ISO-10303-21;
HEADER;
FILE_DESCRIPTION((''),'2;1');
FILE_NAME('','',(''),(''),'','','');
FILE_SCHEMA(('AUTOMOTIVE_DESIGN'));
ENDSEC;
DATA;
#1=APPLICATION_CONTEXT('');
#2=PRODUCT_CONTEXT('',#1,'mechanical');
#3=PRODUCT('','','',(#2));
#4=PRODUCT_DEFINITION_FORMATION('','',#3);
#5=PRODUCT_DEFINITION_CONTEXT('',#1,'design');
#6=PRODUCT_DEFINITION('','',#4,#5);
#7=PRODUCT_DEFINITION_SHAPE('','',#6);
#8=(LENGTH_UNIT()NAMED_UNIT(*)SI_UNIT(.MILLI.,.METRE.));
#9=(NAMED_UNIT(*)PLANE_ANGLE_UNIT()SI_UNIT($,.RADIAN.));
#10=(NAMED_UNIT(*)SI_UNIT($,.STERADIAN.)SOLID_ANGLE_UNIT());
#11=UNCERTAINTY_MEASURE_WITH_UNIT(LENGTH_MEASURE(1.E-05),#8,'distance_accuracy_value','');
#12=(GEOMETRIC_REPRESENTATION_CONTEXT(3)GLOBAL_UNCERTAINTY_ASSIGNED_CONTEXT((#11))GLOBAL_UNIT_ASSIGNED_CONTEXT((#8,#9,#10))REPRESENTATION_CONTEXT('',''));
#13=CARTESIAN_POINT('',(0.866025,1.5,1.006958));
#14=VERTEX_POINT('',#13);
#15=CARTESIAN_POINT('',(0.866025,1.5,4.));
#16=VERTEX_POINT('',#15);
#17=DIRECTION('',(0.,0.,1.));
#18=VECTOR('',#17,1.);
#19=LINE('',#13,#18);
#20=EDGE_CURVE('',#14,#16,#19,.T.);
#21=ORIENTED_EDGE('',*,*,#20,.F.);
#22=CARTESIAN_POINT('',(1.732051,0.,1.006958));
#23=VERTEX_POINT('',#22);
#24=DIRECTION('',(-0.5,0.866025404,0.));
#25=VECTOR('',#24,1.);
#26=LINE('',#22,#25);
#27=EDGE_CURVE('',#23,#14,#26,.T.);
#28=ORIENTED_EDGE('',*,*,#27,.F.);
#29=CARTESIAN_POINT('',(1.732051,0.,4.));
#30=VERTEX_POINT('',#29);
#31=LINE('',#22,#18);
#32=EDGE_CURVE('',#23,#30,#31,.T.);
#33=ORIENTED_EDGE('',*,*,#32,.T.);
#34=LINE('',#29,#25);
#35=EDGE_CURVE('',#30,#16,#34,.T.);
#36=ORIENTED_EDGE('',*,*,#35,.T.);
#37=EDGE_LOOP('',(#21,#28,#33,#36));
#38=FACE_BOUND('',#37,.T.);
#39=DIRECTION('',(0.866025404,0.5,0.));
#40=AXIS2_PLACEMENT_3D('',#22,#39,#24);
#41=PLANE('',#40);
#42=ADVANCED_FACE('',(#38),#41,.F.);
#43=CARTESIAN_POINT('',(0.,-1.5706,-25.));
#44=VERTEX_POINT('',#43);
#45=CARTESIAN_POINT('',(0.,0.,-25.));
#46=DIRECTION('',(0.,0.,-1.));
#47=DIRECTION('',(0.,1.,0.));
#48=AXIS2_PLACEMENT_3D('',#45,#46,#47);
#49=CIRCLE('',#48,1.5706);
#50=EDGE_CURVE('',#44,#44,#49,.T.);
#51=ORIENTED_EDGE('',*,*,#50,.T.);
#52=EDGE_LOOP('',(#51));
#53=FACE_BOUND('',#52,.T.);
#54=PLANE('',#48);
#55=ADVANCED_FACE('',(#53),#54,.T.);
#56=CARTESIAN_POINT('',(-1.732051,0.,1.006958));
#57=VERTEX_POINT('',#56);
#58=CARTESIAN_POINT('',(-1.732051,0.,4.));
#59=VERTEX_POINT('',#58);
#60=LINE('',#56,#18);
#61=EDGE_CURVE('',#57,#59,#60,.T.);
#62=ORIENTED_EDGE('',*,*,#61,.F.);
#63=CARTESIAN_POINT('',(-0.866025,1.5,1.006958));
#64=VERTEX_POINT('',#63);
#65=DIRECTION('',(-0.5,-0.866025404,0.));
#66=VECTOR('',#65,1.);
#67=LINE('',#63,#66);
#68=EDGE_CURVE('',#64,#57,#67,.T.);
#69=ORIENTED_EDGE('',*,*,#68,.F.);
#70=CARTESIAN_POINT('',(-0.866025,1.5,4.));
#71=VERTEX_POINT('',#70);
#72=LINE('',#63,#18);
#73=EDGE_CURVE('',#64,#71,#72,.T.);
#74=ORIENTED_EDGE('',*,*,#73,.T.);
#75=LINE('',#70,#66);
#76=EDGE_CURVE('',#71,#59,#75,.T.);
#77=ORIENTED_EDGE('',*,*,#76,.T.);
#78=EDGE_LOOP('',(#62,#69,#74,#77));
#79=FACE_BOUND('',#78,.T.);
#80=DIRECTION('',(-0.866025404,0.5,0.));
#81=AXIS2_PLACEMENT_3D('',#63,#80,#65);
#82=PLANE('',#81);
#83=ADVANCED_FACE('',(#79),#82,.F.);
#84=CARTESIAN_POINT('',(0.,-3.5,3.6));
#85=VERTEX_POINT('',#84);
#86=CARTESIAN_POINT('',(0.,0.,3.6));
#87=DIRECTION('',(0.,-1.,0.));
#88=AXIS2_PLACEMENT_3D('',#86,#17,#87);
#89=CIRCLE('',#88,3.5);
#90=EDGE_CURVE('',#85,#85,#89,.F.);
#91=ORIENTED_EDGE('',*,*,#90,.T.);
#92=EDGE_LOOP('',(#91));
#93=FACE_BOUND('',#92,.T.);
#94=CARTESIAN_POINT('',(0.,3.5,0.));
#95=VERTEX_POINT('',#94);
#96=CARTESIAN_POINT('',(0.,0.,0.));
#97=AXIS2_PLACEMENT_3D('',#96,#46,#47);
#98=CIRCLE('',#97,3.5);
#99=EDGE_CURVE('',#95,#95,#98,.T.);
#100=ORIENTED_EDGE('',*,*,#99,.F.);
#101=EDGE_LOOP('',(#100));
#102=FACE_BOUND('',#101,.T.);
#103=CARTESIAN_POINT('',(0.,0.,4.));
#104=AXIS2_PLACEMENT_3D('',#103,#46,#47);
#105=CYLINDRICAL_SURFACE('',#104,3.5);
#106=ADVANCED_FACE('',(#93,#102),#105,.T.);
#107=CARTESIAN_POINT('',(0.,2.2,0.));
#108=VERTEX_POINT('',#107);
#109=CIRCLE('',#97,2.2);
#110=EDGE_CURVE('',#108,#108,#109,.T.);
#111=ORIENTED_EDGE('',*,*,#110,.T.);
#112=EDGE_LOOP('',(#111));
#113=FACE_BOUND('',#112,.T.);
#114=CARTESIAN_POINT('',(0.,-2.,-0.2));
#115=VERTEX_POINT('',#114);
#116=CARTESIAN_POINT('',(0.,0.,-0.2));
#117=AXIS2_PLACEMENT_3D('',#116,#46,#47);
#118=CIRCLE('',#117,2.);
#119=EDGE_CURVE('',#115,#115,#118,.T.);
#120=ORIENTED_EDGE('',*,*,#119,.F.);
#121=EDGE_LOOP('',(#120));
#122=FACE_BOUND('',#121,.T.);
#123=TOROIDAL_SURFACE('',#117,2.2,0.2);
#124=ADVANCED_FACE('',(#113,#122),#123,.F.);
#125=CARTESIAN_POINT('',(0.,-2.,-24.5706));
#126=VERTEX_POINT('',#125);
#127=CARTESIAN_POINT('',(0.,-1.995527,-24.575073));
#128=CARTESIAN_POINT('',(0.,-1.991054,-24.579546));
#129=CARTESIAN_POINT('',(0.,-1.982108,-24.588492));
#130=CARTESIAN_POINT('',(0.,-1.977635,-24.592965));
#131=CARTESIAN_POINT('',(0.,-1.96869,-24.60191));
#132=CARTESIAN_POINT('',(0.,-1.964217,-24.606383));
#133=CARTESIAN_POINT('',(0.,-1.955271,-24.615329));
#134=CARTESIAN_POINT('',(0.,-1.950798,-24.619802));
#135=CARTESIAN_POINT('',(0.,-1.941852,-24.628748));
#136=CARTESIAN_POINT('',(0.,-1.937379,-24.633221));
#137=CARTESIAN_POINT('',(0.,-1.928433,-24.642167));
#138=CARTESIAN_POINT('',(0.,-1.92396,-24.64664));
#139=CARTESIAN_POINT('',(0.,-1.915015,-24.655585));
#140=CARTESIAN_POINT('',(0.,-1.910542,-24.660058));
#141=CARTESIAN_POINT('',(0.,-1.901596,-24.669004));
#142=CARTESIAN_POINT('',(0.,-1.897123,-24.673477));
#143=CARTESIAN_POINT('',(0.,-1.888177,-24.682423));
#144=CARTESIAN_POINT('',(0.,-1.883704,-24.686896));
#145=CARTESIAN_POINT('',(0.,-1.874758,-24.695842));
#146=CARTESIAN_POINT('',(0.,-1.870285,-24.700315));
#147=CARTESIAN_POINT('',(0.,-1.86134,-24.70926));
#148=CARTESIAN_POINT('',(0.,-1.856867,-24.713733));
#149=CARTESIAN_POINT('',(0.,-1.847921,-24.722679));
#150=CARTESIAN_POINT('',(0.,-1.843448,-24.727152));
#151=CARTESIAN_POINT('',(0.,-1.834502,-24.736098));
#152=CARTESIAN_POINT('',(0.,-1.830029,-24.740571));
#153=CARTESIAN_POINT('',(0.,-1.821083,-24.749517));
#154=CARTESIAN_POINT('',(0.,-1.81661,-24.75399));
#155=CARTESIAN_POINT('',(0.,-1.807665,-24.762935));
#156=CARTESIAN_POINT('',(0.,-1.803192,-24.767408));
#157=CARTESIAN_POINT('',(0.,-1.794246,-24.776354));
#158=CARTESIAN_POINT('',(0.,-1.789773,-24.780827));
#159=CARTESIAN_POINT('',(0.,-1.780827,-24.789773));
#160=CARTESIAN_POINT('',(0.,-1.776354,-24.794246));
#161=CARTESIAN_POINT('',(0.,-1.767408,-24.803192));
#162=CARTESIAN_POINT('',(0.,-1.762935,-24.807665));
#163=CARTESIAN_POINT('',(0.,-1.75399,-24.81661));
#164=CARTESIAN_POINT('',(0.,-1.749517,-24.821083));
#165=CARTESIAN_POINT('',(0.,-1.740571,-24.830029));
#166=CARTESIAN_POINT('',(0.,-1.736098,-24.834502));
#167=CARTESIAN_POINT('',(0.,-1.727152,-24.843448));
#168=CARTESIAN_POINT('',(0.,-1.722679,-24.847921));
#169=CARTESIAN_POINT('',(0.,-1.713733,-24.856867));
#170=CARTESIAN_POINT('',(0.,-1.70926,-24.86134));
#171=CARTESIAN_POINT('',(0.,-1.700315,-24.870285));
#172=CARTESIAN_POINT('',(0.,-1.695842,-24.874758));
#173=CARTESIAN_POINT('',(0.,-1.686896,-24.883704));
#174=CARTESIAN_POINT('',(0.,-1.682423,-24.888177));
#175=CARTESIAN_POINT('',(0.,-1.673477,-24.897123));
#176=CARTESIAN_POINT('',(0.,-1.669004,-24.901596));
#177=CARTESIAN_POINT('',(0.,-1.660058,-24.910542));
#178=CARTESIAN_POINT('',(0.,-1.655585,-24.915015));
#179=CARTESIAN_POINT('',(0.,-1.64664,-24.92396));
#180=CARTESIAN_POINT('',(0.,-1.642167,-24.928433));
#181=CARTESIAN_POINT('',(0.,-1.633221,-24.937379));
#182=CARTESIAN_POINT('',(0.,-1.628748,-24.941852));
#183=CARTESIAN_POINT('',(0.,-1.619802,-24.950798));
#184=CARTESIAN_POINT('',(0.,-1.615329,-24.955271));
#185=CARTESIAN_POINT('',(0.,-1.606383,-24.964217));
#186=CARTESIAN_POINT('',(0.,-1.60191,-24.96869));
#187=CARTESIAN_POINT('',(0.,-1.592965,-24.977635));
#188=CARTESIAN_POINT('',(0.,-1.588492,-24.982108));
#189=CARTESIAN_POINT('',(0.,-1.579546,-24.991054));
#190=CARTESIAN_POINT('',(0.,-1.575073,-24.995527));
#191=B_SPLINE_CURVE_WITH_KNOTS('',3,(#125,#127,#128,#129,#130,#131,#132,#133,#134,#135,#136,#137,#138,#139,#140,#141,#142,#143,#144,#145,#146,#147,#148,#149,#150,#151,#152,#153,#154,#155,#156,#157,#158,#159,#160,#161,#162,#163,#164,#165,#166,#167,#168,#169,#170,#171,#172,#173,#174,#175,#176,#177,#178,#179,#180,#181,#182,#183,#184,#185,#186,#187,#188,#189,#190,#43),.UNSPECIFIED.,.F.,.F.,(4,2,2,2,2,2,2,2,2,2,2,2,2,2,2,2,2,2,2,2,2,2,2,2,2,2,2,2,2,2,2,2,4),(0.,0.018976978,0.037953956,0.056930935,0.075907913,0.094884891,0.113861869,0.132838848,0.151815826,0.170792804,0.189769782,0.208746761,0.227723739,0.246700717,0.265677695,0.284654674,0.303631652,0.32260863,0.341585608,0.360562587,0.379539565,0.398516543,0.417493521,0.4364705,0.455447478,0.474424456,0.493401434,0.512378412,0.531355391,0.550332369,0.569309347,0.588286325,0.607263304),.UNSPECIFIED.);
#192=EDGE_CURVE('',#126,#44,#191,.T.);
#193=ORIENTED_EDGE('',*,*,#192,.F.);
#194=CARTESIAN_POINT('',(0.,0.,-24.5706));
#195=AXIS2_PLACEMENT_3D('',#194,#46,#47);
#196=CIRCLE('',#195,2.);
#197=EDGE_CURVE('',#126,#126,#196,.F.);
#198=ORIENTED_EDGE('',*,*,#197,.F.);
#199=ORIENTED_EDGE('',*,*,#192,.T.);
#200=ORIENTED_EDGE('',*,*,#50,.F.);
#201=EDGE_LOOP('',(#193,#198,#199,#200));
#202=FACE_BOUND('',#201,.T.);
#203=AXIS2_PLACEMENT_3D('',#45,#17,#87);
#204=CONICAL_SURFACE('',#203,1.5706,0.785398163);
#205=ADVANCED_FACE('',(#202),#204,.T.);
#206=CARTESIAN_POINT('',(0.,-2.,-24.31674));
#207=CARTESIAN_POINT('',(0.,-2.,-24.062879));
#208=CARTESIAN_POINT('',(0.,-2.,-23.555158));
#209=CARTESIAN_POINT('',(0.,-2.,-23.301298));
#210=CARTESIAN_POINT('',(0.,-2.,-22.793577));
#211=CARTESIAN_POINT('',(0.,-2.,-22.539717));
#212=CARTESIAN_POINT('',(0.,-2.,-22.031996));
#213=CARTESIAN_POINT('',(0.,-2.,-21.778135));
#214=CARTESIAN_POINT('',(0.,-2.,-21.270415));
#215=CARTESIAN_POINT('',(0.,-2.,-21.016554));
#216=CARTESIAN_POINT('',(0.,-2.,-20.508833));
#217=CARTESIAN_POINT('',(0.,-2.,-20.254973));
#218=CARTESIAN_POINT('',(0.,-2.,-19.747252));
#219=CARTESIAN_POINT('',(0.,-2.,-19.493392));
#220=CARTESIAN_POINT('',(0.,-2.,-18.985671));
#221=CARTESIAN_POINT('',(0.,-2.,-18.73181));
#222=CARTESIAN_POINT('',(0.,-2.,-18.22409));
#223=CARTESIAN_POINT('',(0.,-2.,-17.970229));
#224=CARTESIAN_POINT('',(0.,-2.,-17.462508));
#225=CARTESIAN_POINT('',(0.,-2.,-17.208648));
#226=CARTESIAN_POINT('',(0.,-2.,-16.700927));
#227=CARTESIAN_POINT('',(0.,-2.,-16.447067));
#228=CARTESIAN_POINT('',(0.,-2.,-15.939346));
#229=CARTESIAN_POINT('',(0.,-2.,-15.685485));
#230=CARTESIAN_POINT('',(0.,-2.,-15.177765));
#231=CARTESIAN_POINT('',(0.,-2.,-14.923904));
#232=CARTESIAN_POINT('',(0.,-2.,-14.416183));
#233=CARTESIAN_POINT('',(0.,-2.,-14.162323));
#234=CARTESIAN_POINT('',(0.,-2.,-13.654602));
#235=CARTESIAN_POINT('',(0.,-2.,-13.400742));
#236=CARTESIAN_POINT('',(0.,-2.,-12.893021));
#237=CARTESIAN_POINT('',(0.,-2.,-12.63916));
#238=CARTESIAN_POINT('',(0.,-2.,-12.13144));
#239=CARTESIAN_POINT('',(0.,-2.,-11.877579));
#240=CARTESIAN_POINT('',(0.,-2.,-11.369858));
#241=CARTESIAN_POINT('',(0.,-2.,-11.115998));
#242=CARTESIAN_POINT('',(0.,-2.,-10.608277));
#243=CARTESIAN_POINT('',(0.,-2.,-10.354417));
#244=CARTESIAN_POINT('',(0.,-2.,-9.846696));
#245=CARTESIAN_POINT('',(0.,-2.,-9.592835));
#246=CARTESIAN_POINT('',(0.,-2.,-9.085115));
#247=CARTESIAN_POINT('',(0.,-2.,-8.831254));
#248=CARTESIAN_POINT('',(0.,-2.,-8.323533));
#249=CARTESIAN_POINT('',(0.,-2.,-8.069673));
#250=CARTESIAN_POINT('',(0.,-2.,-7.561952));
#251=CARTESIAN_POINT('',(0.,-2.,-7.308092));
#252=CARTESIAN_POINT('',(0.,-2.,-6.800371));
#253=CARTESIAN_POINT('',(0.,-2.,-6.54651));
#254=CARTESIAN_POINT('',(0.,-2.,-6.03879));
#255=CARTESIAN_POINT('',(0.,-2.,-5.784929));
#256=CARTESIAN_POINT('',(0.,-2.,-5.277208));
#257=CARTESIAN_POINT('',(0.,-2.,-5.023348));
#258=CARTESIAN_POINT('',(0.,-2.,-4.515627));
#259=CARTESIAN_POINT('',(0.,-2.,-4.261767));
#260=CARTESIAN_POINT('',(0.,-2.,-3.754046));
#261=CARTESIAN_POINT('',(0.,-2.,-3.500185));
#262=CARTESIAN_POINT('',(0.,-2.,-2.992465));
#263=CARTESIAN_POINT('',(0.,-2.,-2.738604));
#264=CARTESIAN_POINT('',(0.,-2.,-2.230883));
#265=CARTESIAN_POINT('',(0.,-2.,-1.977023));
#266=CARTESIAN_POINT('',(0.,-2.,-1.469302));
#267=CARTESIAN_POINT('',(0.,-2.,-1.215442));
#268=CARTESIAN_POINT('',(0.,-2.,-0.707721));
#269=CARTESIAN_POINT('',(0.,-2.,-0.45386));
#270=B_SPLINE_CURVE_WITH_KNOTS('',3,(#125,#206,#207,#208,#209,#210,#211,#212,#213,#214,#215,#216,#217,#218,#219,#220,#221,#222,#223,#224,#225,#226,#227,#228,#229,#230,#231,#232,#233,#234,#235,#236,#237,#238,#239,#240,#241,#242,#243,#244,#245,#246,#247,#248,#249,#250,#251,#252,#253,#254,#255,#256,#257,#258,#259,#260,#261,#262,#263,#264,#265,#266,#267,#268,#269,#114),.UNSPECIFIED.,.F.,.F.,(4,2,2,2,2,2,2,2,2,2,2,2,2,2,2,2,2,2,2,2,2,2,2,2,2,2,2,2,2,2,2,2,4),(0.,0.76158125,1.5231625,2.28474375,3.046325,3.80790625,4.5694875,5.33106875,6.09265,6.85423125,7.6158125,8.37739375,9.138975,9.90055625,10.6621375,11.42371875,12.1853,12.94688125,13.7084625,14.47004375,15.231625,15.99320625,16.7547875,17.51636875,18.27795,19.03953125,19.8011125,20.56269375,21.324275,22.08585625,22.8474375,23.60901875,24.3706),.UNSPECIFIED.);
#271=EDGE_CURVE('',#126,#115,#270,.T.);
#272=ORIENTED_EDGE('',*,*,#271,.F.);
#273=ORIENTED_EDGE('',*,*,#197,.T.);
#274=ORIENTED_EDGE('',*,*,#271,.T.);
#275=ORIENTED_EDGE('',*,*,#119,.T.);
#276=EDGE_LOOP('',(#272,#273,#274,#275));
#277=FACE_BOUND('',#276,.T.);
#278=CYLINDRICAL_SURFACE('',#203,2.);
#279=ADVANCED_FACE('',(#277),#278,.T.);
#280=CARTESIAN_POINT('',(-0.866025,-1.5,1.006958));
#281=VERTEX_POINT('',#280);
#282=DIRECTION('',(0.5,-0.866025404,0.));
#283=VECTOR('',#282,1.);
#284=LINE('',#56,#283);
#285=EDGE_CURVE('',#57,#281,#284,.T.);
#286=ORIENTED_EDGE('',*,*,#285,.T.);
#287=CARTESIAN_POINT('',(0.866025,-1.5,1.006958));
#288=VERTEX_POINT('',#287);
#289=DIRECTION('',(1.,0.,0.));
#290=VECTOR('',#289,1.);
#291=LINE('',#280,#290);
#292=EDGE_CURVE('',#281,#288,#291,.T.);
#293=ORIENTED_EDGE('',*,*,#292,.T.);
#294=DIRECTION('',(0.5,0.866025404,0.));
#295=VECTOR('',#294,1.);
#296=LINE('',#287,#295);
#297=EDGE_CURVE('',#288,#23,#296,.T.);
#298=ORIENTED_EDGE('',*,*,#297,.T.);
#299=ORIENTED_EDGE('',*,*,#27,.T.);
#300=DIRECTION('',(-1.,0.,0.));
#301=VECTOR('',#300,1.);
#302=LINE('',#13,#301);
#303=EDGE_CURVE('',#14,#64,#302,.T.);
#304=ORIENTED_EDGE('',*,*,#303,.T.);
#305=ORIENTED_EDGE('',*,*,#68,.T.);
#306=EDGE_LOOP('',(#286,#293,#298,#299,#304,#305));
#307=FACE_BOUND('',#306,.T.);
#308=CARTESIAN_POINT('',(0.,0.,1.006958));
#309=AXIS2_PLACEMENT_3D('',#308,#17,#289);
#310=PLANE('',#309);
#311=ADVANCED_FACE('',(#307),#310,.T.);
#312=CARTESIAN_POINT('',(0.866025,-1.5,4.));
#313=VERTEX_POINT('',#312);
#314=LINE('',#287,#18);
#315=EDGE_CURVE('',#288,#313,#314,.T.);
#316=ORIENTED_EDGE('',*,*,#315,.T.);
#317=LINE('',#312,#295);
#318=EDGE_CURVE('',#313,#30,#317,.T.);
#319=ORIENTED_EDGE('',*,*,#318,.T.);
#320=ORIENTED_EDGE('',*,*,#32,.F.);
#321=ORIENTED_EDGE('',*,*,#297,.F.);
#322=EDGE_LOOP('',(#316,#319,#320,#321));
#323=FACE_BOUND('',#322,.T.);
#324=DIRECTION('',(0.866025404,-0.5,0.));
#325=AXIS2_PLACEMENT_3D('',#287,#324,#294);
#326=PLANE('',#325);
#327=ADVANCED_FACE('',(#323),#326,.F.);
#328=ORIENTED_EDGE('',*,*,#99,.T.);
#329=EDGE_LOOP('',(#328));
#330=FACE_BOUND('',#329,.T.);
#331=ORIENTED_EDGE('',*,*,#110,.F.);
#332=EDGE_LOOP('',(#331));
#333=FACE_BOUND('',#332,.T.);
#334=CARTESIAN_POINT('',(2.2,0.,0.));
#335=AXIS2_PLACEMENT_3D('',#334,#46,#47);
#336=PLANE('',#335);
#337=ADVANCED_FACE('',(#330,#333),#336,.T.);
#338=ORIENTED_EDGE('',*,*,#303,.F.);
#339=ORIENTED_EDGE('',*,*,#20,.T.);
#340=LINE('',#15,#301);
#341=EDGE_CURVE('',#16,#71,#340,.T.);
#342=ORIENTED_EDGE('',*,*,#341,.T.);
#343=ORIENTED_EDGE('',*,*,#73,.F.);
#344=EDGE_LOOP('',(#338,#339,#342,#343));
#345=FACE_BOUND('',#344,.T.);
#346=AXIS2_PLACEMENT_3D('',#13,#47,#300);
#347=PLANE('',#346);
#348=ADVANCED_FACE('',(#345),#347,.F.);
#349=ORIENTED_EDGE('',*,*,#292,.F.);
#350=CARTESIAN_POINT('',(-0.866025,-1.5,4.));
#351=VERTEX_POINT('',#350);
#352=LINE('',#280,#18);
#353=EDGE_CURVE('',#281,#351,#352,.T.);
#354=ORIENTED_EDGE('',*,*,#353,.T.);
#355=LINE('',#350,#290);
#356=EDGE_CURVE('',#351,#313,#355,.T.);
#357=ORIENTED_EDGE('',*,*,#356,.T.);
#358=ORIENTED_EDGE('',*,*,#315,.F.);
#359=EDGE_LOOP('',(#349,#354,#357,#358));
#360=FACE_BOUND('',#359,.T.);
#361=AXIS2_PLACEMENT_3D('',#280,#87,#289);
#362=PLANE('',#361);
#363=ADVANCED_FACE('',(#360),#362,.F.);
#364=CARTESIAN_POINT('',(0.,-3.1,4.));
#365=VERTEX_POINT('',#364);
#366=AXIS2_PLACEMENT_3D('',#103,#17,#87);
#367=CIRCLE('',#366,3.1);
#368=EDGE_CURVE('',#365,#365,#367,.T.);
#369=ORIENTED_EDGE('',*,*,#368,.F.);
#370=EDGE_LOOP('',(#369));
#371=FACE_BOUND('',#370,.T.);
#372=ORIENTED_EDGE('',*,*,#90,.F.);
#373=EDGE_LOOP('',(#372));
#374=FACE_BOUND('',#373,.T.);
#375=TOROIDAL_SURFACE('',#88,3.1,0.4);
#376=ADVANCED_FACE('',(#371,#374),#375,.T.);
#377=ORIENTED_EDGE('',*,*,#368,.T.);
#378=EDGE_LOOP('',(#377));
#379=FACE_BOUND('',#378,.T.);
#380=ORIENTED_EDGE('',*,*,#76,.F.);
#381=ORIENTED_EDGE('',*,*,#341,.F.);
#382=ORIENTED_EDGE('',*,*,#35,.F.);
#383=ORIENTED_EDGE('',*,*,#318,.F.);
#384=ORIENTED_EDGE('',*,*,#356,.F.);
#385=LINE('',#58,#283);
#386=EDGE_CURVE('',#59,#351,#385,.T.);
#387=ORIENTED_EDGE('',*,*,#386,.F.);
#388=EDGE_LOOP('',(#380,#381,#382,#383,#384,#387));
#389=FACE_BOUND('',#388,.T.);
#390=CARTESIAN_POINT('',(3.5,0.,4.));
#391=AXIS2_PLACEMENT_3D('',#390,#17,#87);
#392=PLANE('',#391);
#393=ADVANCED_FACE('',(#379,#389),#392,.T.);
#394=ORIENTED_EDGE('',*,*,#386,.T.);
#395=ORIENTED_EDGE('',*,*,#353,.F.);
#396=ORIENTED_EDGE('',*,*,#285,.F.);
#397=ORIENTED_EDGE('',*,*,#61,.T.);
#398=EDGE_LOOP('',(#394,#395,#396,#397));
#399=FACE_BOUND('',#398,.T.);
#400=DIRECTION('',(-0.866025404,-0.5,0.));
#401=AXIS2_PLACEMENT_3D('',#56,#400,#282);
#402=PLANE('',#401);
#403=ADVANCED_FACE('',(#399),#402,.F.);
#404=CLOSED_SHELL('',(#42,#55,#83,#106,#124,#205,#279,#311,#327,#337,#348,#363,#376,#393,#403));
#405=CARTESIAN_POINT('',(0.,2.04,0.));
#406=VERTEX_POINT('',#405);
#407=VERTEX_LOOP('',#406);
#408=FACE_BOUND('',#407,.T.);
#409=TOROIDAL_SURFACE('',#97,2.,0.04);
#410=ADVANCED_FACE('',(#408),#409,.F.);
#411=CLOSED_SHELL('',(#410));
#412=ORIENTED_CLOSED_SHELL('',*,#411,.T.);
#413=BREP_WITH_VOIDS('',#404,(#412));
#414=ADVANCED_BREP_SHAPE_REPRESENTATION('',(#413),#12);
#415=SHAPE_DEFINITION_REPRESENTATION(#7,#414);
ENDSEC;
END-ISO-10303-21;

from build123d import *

# Parameters (mm, degrees)
ESQUISSE1_R             = 0.04
ENL_V_MAT_EXTRU_1_DEPTH = 2.993042463
ESQUISSE3_R             = 2
BOSS_EXTRU_1_DEPTH      = 24.8
CHANFREIN1_SIZE         = 0.4294
CONG_1_R                = 0.4


with BuildPart() as part:
    # Esquisse1 → Révolution1 (revolve)
    with BuildSketch(Plane.XZ, mode=Mode.PRIVATE) as r_volution1_sk:
        with BuildLine():
            Line((3.5, 4), (0, 4))
            Line((0, 4), (0, -0.2))
            Line((0, -0.2), (2, -0.2))
            ThreePointArc((2, -0.2), (2.058578644, -0.058578644), (2.2, 0))
            Line((2.2, 0), (3.5, 0))
            Line((3.5, 0), (3.5, 4))
        make_face()
        with Locations((2, 0)):
            Circle(ESQUISSE1_R, mode=Mode.SUBTRACT)
    revolve(r_volution1_sk.sketch.rotate(Axis((0, 0, 4), (0, 0, -1)), 270), axis=Axis((0, 0, 4), (0, 0, -1)))

    # Esquisse2 → Enlèv. mat.-Extru.1 (cut)
    with BuildSketch(Plane.XY.offset(4)):
        Polygon((1.732050808, 0), (0.866025404, 1.5), (-0.866025404, 1.5), (-1.732050808, 0), (-0.866025404, -1.5), (0.866025404, -1.5), align=None)
    extrude(amount=-ENL_V_MAT_EXTRU_1_DEPTH, mode=Mode.SUBTRACT)

    # Esquisse3 → Boss.-Extru.1 (add)
    with BuildSketch(Plane(origin=(0, 0, -0.2), x_dir=(-1, 0, 0), z_dir=(0, 0, -1))):
        with Locations(Location((0, 0, 0), (0, 0, 270))):
            Circle(ESQUISSE3_R)
    extrude(amount=BOSS_EXTRU_1_DEPTH)

    # Chanfrein1
    chanfrein1_edges = [part.edges().sort_by_distance(p)[0] for p in [
        (0, 2, -25),
    ]]
    chamfer(chanfrein1_edges, length=CHANFREIN1_SIZE)

    # Congé1
    cong_1_edges = [part.edges().sort_by_distance(p)[0] for p in [
        (0, -3.5, 4),
    ]]
    fillet(cong_1_edges, radius=CONG_1_R)


solid = part.part
